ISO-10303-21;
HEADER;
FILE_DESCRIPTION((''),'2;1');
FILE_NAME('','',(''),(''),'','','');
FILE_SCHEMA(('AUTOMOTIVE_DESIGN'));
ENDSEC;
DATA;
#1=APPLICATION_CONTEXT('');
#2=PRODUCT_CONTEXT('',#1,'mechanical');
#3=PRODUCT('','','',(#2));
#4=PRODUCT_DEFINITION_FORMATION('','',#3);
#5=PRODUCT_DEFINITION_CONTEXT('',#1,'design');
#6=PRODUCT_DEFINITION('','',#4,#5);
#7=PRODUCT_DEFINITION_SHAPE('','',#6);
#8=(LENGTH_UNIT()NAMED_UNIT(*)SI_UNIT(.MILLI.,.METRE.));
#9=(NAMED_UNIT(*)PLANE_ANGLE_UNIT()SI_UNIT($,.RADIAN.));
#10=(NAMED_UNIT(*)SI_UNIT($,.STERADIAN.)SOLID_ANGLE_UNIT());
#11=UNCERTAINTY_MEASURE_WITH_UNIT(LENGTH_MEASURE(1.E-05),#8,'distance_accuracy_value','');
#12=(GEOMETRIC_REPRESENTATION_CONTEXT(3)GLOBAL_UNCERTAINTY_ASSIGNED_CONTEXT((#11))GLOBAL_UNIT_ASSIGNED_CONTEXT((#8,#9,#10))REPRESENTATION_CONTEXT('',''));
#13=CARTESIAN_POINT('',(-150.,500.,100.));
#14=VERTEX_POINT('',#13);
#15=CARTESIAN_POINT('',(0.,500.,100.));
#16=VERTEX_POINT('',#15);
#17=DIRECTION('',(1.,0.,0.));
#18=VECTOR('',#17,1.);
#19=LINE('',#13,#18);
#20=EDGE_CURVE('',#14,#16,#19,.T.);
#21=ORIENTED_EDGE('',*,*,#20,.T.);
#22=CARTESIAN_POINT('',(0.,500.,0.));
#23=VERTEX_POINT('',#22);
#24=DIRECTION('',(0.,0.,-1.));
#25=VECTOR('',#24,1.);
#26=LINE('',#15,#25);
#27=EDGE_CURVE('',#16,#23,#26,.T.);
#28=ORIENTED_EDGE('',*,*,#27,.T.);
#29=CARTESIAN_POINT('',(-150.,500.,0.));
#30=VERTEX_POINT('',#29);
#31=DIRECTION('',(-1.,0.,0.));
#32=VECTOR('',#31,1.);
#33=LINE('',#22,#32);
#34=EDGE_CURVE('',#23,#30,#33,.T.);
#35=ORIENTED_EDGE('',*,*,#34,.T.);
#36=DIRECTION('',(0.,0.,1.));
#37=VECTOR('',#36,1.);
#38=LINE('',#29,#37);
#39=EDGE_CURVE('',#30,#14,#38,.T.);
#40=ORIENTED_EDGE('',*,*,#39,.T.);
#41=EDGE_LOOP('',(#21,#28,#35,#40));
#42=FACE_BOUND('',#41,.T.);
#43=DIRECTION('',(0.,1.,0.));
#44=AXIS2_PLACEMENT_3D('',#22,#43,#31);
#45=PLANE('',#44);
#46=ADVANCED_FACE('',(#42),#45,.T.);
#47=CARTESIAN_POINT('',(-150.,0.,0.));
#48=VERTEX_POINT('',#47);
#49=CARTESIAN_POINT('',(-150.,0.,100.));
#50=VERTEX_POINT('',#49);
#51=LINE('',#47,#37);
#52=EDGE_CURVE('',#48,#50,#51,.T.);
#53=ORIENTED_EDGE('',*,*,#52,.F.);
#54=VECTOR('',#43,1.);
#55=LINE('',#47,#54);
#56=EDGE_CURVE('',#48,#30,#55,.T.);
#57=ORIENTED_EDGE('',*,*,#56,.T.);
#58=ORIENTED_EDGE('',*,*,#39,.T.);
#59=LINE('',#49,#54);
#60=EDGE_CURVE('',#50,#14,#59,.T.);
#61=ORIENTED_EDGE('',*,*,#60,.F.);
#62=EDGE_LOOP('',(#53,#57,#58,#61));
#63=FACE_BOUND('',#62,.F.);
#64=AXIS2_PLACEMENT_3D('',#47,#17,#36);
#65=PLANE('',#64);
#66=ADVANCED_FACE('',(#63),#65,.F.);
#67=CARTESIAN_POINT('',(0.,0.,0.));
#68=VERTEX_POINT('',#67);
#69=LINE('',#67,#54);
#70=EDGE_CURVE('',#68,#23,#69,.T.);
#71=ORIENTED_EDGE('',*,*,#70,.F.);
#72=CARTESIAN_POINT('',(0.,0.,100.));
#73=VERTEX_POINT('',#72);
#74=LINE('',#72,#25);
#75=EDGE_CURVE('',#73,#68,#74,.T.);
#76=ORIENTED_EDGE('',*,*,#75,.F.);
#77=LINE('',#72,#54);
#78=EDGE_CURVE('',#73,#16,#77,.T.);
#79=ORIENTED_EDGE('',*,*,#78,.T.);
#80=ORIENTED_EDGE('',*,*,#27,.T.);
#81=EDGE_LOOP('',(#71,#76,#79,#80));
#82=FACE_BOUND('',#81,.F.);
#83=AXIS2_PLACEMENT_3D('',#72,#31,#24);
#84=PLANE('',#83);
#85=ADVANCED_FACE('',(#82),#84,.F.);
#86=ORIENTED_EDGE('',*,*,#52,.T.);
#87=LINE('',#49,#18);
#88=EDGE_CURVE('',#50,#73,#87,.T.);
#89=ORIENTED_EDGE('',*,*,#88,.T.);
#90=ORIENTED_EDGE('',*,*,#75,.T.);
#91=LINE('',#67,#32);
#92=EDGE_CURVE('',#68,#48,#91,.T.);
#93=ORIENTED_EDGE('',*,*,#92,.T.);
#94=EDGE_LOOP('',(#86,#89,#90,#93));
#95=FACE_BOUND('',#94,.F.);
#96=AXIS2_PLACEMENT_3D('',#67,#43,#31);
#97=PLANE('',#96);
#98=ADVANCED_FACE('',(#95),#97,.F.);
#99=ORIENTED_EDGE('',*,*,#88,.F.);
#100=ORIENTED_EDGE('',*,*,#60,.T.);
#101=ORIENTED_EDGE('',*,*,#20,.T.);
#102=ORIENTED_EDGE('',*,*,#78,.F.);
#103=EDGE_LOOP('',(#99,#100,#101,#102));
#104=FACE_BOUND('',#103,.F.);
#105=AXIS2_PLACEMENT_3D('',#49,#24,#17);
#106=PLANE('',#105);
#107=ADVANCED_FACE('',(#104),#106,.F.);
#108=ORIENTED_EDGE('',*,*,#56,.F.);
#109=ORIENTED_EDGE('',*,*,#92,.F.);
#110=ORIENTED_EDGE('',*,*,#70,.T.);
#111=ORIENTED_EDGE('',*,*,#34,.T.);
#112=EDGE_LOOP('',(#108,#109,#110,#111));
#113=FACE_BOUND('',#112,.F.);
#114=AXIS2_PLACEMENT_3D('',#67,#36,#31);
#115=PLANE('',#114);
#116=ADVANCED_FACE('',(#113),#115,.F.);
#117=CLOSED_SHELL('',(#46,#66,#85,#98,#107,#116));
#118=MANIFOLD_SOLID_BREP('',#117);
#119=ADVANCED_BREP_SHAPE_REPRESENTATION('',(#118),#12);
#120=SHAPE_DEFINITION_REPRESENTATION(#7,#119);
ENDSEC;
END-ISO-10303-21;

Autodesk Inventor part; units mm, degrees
ref_plane "YZ Plane" through (0, 0, 0) normal (1, 0, 0) x (0, 1, 0)
ref_plane "XZ Plane" through (0, 0, 0) normal (0, 1, 0) x (-1, 0, 0)
ref_plane "XY Plane" through (0, 0, 0) normal (0, 0, 1) x (1, 0, 0)
sketch "Sketch1" plane through (0, 0, 0) normal (0, 1, 0) x (-1, 0, 0)
  line L0 (0, 0) -> (150, 0)
  line L1 (150, 0) -> (150, 100)
  line L2 (150, 100) -> (0, 100)
  line L3 (0, 100) -> (0, 0)
  dimension "d0" = 150
  dimension "d1" = 100
extrude "Extrusion1" add sketch "Sketch1" along normal blind 500
properties part number "System_Box_Part1" material "Stainless Steel"
